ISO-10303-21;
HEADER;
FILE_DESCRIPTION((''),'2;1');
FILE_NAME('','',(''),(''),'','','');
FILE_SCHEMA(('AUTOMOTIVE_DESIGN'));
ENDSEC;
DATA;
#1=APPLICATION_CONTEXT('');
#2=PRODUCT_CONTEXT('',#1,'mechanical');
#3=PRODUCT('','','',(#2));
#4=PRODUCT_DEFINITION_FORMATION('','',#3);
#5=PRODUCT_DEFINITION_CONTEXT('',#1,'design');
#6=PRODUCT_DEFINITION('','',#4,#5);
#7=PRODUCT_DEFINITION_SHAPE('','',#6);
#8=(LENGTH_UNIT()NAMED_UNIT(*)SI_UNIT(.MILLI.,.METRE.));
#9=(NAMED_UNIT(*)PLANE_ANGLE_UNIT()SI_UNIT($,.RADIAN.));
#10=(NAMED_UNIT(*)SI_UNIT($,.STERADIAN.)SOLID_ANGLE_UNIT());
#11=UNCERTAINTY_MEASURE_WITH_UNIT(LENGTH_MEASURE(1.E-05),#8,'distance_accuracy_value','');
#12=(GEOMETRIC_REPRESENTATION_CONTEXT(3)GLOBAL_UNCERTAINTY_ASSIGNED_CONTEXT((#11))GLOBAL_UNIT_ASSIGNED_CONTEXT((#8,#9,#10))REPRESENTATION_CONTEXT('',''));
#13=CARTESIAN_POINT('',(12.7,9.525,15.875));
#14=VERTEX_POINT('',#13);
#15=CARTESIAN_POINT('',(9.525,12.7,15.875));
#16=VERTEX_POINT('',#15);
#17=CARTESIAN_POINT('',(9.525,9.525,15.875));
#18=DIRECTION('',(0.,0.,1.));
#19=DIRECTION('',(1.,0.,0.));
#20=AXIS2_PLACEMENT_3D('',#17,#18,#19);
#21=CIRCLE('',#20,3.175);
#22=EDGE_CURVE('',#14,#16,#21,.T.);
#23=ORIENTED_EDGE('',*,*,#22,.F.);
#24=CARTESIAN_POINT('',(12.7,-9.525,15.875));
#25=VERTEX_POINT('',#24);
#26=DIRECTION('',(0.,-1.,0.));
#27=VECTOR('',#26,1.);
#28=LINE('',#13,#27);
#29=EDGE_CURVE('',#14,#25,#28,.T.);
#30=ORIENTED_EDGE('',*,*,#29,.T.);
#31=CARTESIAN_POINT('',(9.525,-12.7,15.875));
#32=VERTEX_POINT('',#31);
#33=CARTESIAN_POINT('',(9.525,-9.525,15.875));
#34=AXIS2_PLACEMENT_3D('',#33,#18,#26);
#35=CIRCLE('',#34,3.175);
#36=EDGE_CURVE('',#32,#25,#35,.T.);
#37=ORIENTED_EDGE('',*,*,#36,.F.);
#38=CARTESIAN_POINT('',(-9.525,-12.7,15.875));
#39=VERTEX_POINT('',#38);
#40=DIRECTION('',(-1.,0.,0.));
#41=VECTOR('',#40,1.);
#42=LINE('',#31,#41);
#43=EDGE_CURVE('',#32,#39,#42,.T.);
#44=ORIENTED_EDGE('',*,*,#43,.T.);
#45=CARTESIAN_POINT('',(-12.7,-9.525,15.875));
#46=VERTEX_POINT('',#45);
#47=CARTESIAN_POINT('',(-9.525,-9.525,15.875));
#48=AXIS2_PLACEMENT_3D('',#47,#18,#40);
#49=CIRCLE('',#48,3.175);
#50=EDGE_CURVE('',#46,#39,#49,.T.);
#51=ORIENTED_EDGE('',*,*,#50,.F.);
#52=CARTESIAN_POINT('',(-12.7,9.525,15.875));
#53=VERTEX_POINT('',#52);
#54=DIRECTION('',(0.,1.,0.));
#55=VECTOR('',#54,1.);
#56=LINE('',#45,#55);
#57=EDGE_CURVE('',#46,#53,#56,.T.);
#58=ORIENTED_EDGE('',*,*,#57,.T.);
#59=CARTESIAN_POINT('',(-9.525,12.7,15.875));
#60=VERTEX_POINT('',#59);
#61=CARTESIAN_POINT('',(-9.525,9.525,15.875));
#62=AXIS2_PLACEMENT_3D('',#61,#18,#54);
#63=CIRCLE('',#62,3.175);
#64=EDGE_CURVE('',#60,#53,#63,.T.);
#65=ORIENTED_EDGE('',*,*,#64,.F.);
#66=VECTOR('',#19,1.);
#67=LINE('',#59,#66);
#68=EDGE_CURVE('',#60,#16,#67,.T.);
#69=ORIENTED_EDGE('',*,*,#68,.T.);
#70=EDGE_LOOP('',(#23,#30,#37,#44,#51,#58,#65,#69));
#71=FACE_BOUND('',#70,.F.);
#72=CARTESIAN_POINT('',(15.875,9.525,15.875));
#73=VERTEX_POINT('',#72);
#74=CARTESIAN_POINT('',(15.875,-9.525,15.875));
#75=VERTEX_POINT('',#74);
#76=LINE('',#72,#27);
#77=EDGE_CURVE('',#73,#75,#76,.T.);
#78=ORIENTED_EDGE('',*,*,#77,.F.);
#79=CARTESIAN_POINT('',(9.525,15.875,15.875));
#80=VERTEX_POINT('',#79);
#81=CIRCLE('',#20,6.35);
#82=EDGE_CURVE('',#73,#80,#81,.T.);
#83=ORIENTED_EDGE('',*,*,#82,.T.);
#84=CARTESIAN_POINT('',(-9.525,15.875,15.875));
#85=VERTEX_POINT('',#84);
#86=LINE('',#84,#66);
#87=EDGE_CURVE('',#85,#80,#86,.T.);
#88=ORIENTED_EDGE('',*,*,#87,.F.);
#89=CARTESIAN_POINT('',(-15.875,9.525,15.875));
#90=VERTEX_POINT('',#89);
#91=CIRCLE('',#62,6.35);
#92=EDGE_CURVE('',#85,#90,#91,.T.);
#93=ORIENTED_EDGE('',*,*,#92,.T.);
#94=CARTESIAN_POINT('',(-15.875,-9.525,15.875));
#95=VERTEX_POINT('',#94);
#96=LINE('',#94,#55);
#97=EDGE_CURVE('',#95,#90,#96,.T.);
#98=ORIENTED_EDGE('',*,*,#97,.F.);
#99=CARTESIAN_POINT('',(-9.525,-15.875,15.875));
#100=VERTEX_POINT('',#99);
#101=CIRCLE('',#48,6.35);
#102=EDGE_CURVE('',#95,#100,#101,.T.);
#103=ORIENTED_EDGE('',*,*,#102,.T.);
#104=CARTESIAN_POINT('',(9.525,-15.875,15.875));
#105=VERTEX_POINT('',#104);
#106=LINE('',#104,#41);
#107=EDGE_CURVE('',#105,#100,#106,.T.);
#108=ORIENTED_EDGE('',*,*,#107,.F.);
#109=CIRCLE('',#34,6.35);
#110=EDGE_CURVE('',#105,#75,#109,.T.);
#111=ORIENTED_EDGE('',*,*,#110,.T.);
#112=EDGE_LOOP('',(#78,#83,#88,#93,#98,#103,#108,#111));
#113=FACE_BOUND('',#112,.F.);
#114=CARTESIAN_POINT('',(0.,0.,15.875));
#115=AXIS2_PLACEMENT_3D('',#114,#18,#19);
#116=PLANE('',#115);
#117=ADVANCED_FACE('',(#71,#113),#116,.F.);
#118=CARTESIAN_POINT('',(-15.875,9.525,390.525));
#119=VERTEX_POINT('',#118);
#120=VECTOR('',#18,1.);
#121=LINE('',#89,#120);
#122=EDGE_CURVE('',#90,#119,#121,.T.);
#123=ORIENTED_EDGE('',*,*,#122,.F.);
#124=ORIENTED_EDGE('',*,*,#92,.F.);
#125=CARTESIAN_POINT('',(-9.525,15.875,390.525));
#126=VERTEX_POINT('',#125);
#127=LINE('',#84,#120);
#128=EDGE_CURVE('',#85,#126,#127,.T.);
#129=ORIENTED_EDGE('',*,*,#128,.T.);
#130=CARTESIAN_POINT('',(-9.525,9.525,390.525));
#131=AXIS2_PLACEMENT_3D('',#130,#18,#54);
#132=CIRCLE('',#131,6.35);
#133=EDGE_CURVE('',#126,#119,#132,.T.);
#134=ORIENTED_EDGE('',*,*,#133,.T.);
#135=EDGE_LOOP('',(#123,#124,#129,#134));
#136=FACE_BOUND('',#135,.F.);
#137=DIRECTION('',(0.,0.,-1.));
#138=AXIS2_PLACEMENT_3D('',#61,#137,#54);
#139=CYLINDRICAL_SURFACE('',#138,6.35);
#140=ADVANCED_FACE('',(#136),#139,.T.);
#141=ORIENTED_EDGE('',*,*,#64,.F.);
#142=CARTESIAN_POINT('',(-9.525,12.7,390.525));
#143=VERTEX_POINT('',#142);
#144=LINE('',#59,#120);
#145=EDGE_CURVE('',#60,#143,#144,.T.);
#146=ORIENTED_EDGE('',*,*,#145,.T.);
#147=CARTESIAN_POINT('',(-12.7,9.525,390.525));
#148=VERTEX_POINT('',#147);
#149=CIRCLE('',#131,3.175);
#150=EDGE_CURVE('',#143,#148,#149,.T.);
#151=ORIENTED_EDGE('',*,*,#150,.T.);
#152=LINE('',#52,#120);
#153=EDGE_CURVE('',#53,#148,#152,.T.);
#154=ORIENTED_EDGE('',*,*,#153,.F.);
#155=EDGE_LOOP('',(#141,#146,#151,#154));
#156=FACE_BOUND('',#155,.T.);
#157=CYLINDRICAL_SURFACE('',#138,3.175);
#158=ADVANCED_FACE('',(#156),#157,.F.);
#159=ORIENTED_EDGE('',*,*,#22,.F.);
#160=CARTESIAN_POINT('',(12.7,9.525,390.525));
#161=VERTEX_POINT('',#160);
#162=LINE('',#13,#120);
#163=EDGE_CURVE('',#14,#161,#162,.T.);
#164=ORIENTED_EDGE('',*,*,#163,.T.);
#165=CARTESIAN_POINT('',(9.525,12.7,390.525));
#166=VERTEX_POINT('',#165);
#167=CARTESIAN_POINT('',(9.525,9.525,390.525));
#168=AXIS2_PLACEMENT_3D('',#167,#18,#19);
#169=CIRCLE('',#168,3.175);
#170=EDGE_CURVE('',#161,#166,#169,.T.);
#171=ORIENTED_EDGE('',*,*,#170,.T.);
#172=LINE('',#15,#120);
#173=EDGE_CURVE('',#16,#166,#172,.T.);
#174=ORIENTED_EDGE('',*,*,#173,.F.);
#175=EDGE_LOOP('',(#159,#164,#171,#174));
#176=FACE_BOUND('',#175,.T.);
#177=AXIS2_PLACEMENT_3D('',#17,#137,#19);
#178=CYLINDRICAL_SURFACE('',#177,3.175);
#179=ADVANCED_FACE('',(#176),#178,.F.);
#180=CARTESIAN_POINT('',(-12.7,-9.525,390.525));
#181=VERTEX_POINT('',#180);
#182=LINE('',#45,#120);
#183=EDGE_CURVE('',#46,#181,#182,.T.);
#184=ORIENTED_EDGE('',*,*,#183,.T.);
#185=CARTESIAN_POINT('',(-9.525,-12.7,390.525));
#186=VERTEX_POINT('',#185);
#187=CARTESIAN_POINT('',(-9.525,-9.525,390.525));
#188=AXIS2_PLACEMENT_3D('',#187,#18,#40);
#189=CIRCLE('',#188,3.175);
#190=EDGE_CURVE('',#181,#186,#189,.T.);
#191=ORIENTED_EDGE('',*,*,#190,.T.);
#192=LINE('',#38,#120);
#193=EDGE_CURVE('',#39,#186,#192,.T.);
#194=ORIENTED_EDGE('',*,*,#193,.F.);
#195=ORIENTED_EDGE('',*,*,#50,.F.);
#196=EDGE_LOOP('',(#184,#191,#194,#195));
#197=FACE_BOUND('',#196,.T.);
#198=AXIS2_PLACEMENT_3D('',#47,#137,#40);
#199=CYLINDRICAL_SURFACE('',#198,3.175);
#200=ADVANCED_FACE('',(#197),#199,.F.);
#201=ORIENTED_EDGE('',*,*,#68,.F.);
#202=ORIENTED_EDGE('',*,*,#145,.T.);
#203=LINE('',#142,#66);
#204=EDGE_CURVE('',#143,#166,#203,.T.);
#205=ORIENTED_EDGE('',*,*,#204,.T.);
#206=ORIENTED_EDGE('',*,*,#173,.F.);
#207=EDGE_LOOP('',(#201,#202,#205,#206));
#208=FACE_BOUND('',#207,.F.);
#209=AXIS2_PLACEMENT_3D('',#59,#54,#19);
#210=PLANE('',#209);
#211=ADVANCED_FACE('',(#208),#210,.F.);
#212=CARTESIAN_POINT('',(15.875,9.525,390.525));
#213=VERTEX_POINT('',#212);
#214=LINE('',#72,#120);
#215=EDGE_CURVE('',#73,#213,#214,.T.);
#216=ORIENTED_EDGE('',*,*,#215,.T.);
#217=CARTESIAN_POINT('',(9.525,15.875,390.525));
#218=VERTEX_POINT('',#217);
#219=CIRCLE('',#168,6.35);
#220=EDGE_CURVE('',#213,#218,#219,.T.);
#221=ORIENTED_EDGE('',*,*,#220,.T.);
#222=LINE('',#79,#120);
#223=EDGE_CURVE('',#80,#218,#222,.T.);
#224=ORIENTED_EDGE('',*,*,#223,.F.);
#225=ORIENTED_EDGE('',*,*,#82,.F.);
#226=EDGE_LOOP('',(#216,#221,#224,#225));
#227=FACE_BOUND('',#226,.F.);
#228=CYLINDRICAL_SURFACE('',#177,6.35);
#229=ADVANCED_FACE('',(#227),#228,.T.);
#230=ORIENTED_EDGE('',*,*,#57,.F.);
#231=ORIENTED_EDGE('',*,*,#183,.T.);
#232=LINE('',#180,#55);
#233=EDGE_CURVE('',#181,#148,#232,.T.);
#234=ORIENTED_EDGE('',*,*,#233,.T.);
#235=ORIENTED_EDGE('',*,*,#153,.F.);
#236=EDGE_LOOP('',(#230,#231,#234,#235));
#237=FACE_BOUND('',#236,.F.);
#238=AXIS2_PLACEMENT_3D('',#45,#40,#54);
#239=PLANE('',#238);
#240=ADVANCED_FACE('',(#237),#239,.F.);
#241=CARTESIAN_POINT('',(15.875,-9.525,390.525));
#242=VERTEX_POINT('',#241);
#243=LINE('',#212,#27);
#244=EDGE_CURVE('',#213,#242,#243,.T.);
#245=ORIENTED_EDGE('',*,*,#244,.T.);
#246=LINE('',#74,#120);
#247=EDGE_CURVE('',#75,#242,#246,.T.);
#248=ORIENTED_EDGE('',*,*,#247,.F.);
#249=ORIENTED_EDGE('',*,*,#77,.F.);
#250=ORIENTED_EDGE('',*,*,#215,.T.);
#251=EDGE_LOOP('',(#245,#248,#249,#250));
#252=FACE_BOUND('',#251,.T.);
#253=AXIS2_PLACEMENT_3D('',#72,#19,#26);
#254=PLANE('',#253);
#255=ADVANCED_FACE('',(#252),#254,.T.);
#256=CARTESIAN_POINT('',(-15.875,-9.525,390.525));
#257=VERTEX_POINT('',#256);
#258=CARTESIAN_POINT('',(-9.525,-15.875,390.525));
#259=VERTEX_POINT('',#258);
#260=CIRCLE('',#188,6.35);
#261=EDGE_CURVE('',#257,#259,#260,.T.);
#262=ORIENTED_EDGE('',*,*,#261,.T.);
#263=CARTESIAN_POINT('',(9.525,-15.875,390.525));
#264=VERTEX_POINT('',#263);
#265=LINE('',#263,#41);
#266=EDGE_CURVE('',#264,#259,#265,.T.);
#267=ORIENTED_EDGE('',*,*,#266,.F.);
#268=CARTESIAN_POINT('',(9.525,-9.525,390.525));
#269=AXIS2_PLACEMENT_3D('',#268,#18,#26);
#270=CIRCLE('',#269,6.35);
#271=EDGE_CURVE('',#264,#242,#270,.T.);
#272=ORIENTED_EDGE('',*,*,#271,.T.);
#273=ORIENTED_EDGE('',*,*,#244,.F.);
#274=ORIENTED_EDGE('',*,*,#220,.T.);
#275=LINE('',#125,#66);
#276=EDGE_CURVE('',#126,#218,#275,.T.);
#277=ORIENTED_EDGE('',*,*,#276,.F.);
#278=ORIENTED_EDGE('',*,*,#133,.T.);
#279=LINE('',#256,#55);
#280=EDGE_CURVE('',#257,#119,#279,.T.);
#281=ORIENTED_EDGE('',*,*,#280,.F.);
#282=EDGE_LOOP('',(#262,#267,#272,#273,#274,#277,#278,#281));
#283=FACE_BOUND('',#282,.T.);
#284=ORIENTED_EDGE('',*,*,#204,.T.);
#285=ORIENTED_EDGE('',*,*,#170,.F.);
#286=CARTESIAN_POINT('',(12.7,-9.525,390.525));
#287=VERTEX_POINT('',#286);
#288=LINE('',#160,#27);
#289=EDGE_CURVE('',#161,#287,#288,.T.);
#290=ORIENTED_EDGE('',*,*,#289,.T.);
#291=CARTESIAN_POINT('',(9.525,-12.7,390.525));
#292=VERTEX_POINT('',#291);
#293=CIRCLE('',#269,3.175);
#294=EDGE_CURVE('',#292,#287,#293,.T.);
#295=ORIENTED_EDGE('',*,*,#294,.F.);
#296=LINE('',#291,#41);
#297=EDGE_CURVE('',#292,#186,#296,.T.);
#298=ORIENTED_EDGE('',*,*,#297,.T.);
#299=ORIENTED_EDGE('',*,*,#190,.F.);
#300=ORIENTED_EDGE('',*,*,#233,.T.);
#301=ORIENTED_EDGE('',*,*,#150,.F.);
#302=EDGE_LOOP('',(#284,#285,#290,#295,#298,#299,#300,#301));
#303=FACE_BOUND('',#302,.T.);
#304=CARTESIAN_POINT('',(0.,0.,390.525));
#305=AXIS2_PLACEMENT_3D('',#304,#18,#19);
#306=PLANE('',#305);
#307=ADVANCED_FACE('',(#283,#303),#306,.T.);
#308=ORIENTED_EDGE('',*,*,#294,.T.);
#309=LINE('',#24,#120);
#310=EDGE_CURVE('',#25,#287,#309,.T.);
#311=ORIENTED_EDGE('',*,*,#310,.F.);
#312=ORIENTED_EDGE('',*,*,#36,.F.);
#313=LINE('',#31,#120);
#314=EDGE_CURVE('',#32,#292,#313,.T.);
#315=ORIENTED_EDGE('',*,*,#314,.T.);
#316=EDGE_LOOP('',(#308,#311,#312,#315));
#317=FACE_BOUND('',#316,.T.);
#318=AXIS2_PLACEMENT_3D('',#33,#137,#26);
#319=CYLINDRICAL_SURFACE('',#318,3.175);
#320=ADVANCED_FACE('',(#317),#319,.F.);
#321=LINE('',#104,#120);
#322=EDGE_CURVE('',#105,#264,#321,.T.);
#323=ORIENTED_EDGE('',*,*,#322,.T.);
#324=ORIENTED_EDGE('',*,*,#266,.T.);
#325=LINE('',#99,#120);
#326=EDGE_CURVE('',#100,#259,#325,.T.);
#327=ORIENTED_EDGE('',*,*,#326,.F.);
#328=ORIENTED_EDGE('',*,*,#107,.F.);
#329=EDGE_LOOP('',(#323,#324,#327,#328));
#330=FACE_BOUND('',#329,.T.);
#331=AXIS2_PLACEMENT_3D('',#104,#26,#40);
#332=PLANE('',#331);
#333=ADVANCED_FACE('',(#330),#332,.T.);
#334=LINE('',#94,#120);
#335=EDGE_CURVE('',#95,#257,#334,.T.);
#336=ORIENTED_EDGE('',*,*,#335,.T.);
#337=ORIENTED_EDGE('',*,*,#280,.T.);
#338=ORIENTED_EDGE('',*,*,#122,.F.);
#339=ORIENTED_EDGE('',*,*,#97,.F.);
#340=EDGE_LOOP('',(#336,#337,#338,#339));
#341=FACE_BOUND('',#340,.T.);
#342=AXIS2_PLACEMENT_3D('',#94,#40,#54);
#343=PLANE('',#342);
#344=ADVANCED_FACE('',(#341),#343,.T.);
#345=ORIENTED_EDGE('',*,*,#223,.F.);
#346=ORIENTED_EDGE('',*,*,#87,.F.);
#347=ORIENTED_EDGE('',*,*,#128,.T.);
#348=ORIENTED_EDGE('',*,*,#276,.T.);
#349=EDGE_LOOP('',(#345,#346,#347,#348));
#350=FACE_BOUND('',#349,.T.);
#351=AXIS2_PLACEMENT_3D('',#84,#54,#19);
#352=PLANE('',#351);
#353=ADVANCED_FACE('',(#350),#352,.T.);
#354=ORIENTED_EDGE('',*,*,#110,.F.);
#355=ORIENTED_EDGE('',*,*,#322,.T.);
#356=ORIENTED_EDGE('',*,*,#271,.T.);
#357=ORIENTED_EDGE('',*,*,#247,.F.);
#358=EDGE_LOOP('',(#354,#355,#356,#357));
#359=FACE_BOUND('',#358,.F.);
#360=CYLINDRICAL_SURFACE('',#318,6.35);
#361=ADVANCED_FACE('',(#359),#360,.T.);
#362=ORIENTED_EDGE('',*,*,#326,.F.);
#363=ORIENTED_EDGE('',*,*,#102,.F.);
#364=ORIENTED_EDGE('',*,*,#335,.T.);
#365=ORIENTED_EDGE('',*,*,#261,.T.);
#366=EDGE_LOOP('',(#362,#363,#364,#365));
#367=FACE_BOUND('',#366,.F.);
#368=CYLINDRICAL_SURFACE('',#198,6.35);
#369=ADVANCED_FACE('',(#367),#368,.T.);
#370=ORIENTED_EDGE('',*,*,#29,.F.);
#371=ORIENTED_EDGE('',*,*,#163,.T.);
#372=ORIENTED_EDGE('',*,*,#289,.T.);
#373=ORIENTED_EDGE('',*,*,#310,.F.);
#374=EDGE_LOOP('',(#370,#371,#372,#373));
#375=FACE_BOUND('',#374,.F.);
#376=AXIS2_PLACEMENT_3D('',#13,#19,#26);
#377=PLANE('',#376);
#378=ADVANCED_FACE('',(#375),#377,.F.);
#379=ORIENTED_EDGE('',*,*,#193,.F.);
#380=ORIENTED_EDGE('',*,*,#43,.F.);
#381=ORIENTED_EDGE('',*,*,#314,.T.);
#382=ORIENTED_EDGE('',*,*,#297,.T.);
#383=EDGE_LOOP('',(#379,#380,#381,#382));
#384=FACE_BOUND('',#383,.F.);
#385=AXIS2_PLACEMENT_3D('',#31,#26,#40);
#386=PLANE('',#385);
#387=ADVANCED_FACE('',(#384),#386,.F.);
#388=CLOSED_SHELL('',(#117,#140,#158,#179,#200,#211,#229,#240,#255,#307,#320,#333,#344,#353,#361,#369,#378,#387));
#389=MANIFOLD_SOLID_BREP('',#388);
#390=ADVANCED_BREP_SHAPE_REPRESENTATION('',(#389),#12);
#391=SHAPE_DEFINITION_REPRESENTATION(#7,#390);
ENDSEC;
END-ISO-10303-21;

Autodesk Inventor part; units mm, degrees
ref_plane "Start plane" through (0, 0, 15.875) normal (0, 0, 1) x (1, 0, 0)
ref_plane "End plane" through (0, 0, 390.525) normal (0, 0, 1) x (1, 0, 0)
sketch "Sketch" plane through (0, 0, 0) normal (0, 0, 1) x (1, 0, 0)
  line L0 (-15.875, -9.525) -> (-15.875, 9.525)
  line L1 (-9.525, 15.875) -> (9.525, 15.875)
  line L2 (15.875, 9.525) -> (15.875, -9.525)
  line L3 (9.525, -15.875) -> (-9.525, -15.875)
  arc A0 (-15.875, -9.525) -> (-9.525, -15.875) centre (-9.525, -9.525) ccw
  arc A1 (-9.525, 15.875) -> (-15.875, 9.525) centre (-9.525, 9.525) ccw
  arc A2 (15.875, 9.525) -> (9.525, 15.875) centre (9.525, 9.525) ccw
  arc A3 (9.525, -15.875) -> (15.875, -9.525) centre (9.525, -9.525) ccw
  arc A4 (-9.525, 12.7) -> (-12.7, 9.525) centre (-9.525, 9.525) ccw
  line L4 (-9.525, 12.7) -> (9.525, 12.7)
  arc A5 (12.7, 9.525) -> (9.525, 12.7) centre (9.525, 9.525) ccw
  line L5 (12.7, 9.525) -> (12.7, -9.525)
  arc A6 (9.525, -12.7) -> (12.7, -9.525) centre (9.525, -9.525) ccw
  line L6 (9.525, -12.7) -> (-9.525, -12.7)
  arc A7 (-12.7, -9.525) -> (-9.525, -12.7) centre (-9.525, -9.525) ccw
  line L7 (-12.7, -9.525) -> (-12.7, 9.525)
  line L8 (0, 24.0662) -> (0, -24.0662) construction
  line L9 (-24.0662, 0) -> (24.0662, 0) construction
  dimension "d10" = 31.75
  dimension "d11" = 31.75
  dimension "d12" = 3.175
  dimension "d15" = 15.875
  dimension "d16" = 15.875
  dimension "d17" = 6.35
extrude "Body" add sketch "Sketch" along normal up to surface (374.65 mm away) from surface at 15.875
sketch "Sketch3" plane through (0, 0, 0) normal (0, 0, 1) x (1, 0, 0)
  line L0 (0, 0) -> (10, 0)
ref_plane "Work Plane3" through (0, 0, 0) normal (0, -1, 0) x (1, 0, 0)
sketch "Sketch4" plane through (0, 0, 0) normal (0, -1, 0) x (1, 0, 0)
  line L0 (-2, 15.875) -> (12, 15.875)
  line L1 (-2, 390.525) -> (12, 390.525)
  dimension "d19" = 374.65
ref_plane "Work Plane4" through (-609.6, -9.525, 15.875) normal (0, 0, -1) x (-1, 0, 0)
split "Split1" plane through (-609.6, -9.525, 15.875) removes the side toward (0, 0, -1)
ref_plane "Work Plane5" through (304.8, -9.525, 390.525) normal (0, 0, 1) x (1, 0, 0)
split "Split2" plane through (304.8, -9.525, 390.525) removes the side toward (0, 0, 1)
equation "\"d10\" = G_H"
equation "\"d11\" = G_W"
equation "\"d12\" = G_T"
equation "\"d15\" = 0.5 * d10"
equation "\"d16\" = 0.5 * d11"
equation "\"d17\" = G_IR"
equation "\"d3\" = G_L"
equation "\"G_W\" = 31.75"
equation "\"G_H\" = 31.75"
equation "\"G_T\" = 3.175"
equation "\"G_IR\" = 6.35"
equation "\"G_L\" = d19"
equation "\"G_OFFSET_START\" = -15.875"
equation "\"G_OFFSET_END\" = -15.875"
equation "\"d13\" = -G_OFFSET_START"
equation "\"d14\" = G_OFFSET_END + B_L"
equation "\"B_L\" = 406.4"
properties part number "AISC HSS - 1-1/4x1-1/4x1/8 - 14.75" material "Steel, Mild"
